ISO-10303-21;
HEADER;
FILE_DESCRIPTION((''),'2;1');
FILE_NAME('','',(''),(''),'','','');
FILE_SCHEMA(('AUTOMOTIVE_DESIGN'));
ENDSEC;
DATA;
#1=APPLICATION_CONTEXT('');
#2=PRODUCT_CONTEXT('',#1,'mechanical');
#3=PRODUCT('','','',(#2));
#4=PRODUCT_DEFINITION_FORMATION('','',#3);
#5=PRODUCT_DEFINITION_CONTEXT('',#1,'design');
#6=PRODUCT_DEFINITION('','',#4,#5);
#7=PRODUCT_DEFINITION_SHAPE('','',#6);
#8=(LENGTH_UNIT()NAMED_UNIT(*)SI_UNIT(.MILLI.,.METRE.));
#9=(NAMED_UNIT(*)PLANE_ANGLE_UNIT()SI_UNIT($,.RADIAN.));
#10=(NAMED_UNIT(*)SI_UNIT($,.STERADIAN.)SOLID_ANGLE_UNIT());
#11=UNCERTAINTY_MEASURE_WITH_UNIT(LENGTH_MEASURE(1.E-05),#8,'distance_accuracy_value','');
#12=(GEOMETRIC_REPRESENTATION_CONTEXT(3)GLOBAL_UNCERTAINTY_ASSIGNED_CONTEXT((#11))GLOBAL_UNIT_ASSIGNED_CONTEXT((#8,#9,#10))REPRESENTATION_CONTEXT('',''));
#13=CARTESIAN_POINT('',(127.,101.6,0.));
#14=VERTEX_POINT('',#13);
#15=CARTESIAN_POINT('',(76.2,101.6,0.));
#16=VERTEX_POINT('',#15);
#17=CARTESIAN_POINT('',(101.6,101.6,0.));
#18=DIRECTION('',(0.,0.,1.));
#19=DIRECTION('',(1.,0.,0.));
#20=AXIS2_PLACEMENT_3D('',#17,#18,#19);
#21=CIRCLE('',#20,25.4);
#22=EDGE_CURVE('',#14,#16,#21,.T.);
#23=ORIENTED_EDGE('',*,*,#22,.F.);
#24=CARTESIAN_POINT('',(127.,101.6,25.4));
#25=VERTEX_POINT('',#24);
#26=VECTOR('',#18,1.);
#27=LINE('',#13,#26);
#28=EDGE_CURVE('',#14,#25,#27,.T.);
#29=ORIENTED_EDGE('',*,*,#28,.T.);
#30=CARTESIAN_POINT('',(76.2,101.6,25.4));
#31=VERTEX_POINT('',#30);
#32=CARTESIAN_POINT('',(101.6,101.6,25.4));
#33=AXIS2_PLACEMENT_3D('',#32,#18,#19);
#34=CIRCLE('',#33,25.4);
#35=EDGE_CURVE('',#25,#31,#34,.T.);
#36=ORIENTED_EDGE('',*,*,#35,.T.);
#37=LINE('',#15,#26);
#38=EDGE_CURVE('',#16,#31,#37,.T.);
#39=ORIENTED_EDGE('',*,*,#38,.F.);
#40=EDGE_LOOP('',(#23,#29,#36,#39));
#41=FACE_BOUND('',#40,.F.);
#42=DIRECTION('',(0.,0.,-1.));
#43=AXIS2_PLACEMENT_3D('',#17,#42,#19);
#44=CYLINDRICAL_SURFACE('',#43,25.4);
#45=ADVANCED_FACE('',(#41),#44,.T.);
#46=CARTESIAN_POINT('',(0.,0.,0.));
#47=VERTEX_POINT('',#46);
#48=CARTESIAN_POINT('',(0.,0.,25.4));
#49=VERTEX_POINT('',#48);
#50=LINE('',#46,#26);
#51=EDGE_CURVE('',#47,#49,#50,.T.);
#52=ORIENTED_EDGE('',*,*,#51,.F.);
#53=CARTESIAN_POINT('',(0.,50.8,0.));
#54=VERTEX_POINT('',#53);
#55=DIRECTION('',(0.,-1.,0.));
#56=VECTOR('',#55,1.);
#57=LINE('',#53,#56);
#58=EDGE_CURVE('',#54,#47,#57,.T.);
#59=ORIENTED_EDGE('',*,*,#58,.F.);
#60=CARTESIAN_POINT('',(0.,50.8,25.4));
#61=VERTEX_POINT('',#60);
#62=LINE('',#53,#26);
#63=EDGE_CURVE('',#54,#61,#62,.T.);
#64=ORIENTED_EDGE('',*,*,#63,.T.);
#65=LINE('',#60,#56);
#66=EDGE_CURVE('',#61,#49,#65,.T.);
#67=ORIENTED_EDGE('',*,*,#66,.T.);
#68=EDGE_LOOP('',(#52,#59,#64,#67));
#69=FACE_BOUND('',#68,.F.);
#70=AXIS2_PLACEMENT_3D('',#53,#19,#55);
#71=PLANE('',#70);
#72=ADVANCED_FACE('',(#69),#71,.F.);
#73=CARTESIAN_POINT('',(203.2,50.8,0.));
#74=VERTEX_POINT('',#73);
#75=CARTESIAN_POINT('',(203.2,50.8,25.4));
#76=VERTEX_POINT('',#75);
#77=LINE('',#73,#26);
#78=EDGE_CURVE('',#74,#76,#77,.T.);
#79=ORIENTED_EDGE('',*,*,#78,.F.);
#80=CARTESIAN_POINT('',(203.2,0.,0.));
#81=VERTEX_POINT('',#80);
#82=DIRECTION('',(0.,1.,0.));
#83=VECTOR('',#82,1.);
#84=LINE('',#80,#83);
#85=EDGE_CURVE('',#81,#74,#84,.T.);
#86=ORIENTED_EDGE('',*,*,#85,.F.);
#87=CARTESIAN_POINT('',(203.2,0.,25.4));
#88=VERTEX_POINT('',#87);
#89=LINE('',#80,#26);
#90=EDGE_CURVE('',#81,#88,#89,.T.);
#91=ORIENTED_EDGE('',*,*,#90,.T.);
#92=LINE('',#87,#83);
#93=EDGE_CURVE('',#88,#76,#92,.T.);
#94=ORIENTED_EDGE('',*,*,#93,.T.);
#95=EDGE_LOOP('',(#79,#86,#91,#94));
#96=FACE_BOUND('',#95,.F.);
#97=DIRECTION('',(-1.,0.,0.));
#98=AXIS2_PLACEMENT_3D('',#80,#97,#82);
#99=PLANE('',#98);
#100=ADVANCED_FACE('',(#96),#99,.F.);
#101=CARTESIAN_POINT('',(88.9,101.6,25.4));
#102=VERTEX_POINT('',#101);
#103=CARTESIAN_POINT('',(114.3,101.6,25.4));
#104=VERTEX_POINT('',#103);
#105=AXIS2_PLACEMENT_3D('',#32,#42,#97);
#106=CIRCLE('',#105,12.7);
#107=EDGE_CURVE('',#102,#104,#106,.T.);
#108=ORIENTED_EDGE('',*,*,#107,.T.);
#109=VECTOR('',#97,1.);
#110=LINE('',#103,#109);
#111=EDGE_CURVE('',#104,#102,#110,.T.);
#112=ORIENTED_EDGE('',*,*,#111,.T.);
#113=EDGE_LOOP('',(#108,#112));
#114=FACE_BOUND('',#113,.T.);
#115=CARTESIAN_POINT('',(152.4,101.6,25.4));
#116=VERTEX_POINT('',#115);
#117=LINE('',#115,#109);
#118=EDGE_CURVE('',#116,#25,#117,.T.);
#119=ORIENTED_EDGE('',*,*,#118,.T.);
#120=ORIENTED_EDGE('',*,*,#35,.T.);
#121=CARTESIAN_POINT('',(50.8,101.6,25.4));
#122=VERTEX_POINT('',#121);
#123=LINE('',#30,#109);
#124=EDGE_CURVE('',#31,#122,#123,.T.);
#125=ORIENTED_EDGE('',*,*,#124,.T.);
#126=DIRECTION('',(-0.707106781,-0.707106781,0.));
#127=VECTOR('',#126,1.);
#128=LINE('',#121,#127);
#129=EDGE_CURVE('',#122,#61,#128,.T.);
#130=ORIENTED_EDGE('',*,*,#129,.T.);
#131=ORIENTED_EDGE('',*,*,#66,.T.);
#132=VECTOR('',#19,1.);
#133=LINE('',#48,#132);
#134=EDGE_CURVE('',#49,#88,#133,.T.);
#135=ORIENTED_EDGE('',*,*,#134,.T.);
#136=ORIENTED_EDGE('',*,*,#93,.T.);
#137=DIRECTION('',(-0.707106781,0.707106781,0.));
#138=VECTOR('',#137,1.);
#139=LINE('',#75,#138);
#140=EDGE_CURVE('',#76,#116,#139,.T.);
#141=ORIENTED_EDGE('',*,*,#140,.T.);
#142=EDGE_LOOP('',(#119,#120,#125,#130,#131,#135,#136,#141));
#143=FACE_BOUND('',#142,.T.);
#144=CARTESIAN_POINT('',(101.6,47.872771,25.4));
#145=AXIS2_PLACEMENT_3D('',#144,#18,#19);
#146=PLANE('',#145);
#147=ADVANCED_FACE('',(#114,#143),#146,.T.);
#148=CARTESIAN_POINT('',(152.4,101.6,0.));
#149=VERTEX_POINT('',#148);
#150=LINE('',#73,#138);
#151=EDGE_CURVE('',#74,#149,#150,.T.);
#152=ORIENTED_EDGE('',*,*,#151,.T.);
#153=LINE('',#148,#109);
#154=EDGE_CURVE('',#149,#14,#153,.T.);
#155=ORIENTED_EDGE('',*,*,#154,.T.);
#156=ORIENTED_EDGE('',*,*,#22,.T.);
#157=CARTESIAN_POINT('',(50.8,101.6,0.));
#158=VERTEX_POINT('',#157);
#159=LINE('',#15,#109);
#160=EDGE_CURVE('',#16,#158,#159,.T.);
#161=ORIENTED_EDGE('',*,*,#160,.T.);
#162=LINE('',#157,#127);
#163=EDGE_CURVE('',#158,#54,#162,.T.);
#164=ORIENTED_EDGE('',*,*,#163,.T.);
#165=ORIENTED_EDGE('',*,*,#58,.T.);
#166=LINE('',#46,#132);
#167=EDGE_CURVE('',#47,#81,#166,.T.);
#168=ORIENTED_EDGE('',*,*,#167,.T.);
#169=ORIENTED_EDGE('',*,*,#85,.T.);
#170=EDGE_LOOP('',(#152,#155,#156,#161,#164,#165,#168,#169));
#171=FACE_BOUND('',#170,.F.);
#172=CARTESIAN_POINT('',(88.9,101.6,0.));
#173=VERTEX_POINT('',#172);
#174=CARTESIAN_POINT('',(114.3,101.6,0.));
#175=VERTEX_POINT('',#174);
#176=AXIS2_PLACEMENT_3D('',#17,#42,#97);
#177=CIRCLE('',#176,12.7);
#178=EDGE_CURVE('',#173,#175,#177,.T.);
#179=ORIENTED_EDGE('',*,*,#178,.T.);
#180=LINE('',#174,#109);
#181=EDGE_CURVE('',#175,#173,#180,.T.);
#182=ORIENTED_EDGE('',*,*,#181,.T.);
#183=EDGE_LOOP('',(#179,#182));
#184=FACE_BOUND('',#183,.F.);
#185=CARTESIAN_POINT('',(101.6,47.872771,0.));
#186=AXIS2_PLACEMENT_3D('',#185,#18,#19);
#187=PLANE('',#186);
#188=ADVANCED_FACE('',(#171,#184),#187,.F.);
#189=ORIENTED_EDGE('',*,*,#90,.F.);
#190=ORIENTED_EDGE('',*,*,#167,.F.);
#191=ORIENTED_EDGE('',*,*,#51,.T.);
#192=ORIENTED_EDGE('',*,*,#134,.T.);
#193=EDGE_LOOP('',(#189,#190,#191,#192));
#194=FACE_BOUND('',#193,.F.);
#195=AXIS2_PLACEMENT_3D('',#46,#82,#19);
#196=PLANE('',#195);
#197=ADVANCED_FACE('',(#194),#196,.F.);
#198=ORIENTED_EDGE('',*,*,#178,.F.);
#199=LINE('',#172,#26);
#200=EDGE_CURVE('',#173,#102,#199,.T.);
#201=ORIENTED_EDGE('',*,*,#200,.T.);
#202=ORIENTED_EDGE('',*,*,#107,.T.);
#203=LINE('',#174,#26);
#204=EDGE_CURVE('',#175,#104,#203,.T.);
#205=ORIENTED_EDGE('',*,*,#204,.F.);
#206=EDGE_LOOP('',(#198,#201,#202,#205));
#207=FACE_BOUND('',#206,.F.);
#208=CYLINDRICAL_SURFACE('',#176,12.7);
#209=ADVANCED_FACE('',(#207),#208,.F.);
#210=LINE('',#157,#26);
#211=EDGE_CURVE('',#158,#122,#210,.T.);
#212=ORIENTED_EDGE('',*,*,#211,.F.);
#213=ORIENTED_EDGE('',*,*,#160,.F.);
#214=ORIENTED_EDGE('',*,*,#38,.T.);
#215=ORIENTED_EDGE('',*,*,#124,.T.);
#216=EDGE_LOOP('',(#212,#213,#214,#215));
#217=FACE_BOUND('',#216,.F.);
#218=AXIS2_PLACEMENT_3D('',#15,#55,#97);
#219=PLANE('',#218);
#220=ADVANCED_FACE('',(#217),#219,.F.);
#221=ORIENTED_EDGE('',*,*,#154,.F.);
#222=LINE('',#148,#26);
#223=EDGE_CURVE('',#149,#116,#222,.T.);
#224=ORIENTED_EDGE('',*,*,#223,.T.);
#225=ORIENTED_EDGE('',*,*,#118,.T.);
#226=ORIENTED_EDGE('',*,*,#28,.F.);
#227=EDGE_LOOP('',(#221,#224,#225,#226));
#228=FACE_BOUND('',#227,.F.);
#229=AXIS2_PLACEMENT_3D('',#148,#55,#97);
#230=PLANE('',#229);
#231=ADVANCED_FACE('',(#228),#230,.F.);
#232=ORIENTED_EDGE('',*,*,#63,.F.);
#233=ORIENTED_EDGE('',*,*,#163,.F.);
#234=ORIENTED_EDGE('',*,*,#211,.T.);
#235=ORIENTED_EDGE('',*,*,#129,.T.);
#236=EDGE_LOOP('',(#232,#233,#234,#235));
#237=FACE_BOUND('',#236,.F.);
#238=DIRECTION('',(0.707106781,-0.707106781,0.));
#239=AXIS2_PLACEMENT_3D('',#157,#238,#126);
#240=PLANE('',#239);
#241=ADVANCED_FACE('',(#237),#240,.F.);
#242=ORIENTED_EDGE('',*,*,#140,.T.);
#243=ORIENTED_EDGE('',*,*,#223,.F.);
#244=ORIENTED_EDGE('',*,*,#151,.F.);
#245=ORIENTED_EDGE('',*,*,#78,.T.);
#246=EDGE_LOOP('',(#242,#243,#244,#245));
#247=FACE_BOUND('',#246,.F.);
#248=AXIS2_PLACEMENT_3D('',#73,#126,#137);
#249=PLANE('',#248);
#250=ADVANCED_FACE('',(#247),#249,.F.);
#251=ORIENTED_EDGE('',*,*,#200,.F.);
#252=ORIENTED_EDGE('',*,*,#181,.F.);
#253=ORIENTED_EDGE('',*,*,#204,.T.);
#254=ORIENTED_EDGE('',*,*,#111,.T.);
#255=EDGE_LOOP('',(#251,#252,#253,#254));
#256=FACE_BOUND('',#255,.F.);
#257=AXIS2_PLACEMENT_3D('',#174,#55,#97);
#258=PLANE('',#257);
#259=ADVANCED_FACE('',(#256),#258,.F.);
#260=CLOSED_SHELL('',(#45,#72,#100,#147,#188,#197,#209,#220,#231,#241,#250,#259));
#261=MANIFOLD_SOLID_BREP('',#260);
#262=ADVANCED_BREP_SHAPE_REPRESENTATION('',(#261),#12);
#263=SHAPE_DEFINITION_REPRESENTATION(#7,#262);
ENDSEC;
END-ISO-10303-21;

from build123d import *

# Parameters (mm, degrees)
F1_DEPTH = 25.4


with BuildPart() as f1:
    # F0 (on Top) → F1 (new body)
    with BuildSketch(Plane.XY):
        with BuildLine():
            Line((0, 50.8), (0, 0))
            Line((0, 0), (203.2, 0))
            Line((203.2, 0), (203.2, 50.8))
            Line((203.2, 50.8), (152.4, 101.6))
            Line((152.4, 101.6), (127, 101.6))
            ThreePointArc((127, 101.6), (101.6, 127), (76.2, 101.6))
            Line((76.2, 101.6), (50.8, 101.6))
            Line((50.8, 101.6), (0, 50.8))
        make_face()
        with BuildLine():
            ThreePointArc((88.9, 101.6), (101.6, 114.3), (114.3, 101.6))
            Line((114.3, 101.6), (88.9, 101.6))
        make_face(mode=Mode.SUBTRACT)
    extrude(amount=F1_DEPTH)


solid = f1.part
